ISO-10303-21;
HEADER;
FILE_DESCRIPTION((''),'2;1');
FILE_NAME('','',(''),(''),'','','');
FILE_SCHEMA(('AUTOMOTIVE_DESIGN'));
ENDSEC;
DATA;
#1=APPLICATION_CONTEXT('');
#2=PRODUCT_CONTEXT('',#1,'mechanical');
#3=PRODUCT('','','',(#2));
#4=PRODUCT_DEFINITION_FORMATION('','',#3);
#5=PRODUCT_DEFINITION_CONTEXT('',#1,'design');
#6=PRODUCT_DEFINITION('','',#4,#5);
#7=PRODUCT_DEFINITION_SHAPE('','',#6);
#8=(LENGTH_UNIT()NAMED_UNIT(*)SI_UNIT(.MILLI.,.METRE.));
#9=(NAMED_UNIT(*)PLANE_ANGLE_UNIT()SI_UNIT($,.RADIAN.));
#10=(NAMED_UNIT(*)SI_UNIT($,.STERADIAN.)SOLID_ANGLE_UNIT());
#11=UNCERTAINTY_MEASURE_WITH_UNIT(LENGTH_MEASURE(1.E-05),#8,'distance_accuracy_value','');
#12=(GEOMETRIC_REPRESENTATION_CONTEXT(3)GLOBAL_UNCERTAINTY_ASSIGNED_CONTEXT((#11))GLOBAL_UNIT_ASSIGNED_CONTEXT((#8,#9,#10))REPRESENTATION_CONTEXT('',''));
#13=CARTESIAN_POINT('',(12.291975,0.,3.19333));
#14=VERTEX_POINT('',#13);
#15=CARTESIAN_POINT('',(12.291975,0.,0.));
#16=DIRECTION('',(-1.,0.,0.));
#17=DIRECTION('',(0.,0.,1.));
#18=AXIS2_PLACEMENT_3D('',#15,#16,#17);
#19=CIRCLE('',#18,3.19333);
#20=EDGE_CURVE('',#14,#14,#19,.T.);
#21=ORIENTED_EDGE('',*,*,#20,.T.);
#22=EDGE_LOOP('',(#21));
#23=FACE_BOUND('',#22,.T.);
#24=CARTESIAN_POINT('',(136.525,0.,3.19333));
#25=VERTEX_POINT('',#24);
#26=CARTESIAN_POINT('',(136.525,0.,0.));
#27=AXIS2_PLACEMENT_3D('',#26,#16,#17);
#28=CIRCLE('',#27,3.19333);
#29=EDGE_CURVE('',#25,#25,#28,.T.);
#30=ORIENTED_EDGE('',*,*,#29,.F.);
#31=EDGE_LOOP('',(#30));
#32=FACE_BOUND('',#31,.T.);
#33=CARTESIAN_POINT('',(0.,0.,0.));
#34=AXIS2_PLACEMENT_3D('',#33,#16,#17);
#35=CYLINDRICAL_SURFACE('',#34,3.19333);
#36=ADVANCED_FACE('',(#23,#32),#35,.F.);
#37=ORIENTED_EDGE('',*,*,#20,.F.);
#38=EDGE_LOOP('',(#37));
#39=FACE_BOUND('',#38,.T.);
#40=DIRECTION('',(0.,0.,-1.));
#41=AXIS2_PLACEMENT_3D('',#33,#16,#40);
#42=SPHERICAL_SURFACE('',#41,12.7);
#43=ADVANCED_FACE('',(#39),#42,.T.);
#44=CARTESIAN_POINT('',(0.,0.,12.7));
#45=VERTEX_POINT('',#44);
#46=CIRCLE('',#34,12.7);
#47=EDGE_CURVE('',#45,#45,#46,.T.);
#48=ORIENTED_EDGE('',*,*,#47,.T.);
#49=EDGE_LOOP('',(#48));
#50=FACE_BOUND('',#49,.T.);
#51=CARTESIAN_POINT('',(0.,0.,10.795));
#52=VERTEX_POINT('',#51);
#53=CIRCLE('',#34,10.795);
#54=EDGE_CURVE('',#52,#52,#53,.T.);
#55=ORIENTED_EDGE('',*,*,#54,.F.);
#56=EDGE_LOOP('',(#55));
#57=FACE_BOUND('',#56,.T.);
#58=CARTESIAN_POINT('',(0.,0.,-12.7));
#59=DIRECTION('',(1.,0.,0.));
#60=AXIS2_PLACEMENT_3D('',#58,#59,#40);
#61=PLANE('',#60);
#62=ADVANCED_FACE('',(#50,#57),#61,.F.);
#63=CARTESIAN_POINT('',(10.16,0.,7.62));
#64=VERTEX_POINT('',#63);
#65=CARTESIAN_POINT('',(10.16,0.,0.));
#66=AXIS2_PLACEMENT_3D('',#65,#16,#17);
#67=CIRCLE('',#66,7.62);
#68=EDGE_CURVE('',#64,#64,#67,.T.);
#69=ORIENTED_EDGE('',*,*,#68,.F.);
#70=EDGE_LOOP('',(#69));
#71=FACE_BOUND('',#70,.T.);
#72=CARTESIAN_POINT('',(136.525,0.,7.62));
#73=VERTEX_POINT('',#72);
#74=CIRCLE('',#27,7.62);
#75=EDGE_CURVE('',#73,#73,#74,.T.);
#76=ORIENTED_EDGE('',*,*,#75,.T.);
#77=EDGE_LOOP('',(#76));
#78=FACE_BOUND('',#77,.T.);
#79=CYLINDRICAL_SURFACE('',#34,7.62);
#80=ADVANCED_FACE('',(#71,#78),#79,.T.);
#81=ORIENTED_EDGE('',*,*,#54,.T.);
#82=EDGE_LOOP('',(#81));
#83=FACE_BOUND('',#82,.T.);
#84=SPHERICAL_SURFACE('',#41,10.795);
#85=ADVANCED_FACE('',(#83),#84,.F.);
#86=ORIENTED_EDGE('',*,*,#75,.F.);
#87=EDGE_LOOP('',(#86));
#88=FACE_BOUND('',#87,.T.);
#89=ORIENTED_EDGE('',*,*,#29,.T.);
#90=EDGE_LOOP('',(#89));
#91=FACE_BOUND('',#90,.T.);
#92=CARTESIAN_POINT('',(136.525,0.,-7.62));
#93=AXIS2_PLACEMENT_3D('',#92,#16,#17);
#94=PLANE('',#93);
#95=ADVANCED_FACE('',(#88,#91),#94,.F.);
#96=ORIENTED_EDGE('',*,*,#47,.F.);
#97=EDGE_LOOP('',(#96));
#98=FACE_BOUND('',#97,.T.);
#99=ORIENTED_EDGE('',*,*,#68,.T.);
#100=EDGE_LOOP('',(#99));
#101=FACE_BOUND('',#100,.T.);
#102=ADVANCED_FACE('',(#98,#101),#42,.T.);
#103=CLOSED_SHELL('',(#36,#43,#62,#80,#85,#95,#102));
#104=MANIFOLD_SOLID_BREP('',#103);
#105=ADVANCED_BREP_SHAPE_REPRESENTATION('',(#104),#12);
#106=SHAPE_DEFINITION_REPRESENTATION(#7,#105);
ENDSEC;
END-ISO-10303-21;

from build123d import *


with BuildPart() as part:
    # Sketch1 → Revolve1 (revolve)
    with BuildSketch(Plane(origin=(0, 0, 0), x_dir=(1, 0, 0), z_dir=(0, 1, 0))):
        with BuildLine():
            Line((0, 12.7), (0, 10.795))
            ThreePointArc((0, 10.795), (7.633217703, 7.633217703), (10.795, 0))
            Line((10.795, 0), (12.7, 0))
            ThreePointArc((12.7, 0), (12.597580707, 1.609646024), (12.291974752, 3.193330031))
            Line((12.291974752, 3.193330031), (136.525, 3.193330031))
            Line((136.525, 3.193330031), (136.525, 7.62))
            Line((136.525, 7.62), (10.16, 7.62))
            ThreePointArc((10.16, 7.62), (5.679612663, 11.359225326), (0, 12.7))
        make_face()
    revolve(axis=Axis((0, 0, 0), (1, 0, 0)))


solid = part.part
